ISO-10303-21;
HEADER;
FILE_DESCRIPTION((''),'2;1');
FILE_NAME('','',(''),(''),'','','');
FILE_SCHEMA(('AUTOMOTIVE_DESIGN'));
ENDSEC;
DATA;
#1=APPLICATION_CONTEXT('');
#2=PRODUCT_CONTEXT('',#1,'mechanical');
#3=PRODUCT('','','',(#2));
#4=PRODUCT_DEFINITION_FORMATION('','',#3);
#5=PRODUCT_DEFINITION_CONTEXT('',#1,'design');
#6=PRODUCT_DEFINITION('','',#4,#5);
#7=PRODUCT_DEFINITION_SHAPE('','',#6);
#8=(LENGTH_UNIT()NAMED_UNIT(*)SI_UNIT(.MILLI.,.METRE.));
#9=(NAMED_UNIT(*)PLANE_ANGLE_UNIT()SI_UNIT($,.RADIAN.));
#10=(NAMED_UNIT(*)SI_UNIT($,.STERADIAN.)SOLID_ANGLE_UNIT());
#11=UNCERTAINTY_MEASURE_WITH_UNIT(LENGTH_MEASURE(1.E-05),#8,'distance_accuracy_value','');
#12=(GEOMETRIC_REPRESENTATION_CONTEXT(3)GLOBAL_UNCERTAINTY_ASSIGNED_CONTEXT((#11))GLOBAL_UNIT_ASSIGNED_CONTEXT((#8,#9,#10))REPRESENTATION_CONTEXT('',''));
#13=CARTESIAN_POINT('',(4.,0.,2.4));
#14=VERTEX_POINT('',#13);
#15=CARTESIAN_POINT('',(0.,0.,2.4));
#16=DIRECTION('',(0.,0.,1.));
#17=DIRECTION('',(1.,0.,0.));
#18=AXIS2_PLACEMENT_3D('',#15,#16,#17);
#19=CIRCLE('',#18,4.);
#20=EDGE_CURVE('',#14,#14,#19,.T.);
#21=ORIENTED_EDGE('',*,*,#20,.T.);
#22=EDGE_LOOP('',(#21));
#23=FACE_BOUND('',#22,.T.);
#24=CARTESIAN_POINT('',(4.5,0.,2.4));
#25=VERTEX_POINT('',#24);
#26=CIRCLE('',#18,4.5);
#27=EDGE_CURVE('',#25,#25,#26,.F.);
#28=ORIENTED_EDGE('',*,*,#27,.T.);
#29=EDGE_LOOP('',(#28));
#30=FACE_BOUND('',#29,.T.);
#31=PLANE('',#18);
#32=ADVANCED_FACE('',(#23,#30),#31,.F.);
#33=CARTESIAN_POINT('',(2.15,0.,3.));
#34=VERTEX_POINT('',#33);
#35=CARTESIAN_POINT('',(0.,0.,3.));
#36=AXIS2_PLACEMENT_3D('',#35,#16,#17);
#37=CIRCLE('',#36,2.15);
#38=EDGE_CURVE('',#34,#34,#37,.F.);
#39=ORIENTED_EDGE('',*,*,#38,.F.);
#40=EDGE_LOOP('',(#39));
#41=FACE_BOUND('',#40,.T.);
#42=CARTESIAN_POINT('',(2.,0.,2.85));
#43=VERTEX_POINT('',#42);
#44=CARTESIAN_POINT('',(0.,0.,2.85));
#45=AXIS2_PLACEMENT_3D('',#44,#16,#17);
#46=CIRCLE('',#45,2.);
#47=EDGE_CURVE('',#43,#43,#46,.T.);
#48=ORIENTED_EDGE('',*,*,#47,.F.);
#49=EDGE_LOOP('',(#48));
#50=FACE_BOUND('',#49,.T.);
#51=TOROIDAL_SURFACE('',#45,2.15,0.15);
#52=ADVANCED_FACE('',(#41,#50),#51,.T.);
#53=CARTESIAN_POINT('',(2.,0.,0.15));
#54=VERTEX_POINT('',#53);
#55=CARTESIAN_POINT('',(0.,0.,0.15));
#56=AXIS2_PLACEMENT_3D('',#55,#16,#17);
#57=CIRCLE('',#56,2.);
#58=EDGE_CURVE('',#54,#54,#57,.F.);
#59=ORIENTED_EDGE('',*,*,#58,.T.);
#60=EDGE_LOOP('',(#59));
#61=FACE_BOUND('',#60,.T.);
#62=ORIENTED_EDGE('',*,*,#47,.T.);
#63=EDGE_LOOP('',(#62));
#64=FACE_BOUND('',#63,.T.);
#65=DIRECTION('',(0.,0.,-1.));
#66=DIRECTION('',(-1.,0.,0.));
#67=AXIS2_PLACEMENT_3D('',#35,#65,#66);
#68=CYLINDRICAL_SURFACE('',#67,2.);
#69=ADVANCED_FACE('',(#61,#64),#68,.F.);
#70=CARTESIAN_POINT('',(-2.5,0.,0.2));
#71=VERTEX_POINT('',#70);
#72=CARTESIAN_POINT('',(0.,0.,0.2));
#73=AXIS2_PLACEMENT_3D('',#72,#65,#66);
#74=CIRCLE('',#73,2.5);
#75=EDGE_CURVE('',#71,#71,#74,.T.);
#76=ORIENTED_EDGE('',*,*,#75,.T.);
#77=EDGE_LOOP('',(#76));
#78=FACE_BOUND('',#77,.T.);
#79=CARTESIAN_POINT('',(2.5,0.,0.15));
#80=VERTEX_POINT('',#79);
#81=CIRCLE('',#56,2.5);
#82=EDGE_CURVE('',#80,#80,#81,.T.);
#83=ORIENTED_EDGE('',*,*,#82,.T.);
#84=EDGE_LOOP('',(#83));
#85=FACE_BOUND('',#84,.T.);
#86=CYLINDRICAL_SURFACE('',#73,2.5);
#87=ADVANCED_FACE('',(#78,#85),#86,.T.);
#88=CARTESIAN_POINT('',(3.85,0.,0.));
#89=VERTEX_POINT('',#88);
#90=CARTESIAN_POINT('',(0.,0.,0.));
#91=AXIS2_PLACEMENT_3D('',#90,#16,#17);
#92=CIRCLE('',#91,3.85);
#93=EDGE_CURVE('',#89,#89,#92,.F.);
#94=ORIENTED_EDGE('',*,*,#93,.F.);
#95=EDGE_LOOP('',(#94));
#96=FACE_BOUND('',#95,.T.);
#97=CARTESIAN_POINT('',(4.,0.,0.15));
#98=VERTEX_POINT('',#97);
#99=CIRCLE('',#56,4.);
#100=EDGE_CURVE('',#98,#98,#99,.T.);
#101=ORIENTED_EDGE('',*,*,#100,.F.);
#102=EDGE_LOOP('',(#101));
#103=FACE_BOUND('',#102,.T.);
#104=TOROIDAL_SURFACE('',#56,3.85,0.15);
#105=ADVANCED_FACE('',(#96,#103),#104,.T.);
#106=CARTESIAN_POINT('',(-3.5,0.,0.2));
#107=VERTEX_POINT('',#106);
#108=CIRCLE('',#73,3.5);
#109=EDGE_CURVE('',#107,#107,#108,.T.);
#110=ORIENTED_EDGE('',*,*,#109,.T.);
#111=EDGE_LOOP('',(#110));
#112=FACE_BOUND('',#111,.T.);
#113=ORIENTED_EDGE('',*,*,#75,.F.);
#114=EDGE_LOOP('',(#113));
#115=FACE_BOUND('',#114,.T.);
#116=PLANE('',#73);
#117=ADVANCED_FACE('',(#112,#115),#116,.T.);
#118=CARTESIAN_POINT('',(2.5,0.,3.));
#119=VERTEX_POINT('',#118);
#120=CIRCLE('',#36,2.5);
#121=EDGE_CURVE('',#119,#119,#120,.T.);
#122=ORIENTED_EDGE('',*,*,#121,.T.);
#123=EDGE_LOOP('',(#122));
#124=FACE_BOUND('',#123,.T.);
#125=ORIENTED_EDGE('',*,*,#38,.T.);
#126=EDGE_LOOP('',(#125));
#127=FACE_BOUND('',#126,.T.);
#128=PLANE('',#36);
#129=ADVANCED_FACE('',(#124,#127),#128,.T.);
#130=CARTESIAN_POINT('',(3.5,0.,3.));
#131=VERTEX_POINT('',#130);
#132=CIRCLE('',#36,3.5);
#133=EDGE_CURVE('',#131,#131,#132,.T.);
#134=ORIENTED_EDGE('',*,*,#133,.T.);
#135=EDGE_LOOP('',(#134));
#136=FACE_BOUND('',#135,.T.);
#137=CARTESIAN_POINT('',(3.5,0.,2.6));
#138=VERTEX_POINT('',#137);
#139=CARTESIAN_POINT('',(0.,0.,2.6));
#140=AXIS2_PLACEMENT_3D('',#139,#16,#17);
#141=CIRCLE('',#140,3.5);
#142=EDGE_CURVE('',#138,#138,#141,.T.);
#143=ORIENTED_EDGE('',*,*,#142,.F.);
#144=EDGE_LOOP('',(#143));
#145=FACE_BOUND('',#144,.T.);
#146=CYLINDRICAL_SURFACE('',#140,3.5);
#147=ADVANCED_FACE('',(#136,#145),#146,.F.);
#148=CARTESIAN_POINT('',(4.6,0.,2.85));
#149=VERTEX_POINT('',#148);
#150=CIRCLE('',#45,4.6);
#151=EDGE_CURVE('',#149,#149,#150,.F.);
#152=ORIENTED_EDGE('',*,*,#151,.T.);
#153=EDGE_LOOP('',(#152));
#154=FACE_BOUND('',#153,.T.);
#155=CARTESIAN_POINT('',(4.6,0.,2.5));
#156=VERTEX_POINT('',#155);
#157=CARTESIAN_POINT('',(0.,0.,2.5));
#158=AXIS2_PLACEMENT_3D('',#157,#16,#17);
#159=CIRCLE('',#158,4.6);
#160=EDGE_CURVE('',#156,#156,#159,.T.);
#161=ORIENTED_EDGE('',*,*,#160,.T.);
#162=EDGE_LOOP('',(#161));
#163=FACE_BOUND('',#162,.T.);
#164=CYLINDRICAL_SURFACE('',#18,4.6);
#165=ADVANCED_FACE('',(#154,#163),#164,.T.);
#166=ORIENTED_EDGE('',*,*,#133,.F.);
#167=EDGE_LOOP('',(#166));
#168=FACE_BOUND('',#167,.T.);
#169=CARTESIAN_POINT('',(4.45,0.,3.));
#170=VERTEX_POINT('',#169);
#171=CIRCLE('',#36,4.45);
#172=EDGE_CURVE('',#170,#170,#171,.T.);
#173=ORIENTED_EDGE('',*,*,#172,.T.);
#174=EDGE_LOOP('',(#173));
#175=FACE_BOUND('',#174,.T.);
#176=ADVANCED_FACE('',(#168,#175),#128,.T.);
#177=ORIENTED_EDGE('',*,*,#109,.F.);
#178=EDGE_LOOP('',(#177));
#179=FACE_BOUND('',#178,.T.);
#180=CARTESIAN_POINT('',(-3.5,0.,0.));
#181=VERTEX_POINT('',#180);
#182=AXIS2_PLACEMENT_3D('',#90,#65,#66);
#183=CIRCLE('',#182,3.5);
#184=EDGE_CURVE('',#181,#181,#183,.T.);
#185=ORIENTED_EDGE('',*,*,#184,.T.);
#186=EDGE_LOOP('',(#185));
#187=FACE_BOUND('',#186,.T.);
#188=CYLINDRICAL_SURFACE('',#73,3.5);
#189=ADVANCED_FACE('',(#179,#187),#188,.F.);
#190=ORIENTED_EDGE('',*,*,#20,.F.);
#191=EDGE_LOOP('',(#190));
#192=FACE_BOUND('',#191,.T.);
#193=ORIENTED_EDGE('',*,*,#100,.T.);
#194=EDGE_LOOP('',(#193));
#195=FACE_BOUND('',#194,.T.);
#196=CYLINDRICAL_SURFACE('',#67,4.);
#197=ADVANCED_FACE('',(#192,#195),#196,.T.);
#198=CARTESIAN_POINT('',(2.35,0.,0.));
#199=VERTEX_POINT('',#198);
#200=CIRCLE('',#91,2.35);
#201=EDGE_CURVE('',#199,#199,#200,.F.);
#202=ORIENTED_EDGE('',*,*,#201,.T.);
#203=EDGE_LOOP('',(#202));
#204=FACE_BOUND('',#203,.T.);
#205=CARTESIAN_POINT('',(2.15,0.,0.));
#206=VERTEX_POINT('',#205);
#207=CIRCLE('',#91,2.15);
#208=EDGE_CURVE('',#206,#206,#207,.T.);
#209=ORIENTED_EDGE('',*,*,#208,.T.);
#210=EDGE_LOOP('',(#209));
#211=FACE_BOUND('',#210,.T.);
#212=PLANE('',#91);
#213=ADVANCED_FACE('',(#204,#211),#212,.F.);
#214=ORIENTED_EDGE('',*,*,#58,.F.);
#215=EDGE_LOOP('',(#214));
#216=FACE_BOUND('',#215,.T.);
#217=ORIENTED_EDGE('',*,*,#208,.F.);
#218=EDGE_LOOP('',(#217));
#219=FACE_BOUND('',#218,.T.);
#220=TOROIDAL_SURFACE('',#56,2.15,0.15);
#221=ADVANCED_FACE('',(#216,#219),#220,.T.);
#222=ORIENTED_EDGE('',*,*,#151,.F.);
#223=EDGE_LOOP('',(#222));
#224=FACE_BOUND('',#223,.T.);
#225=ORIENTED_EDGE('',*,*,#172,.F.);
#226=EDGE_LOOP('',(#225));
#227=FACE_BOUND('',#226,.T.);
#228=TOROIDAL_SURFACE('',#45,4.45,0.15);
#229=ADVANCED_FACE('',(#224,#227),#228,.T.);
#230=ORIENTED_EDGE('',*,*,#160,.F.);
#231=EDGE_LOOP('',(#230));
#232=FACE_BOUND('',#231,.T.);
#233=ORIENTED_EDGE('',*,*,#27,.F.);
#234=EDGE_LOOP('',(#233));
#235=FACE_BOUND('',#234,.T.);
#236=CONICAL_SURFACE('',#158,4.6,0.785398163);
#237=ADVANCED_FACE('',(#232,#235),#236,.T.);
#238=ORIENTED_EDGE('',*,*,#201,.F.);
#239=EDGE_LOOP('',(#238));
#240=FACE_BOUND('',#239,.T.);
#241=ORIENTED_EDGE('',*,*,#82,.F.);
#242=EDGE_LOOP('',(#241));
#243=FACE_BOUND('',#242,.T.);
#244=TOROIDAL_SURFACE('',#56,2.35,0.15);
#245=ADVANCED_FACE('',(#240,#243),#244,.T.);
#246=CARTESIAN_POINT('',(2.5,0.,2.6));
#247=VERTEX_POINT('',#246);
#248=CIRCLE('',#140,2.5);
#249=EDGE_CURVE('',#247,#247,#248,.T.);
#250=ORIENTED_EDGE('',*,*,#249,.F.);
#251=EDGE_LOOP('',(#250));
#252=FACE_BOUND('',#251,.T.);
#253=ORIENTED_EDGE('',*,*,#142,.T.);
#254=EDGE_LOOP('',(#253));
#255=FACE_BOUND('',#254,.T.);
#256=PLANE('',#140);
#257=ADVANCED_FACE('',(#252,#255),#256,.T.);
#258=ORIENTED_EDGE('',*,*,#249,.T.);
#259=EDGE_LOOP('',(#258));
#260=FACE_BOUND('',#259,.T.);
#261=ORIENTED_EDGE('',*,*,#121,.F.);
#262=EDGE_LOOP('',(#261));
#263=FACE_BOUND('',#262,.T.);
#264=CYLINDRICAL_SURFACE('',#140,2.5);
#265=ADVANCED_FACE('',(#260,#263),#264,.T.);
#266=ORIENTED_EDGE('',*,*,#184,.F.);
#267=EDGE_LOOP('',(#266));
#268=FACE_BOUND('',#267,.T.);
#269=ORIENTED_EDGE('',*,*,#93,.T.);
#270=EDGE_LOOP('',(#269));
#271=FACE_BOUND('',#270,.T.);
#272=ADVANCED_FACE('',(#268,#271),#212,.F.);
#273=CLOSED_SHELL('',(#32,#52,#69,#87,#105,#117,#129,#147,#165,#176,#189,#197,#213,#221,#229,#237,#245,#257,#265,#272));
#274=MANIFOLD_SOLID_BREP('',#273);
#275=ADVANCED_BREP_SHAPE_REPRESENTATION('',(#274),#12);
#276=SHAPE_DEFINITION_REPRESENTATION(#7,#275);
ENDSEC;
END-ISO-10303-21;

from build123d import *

# Parameters (mm, degrees)
SKETCH1_R           = 4
SKETCH1_R_2         = 2
BOSS_EXTRUDE1_DEPTH = 3
BOSS_EXTRUDE2_START = -0.6
SKETCH2_R           = 4.6
SKETCH2_R_2         = 4
BOSS_EXTRUDE2_DEPTH = 0.6
SKETCH3_R           = 3.5
SKETCH3_R_2         = 2.5
CUT_EXTRUDE1_DEPTH  = 0.2
CUT_EXTRUDE2_START  = -2.6
SKETCH3_2_R         = 3.5
SKETCH3_2_R_2       = 2.5
CUT_EXTRUDE2_DEPTH  = 0.4
FILLET1_R           = 0.15
CHAMFER1_SIZE       = 0.1


with BuildPart() as part:
    # Sketch1 → Boss-Extrude1 (new body)
    with BuildSketch(Plane.XY):
        Circle(SKETCH1_R)
        Circle(SKETCH1_R_2, mode=Mode.SUBTRACT)
    extrude(amount=BOSS_EXTRUDE1_DEPTH)

    # Sketch2 → Boss-Extrude2 (add)
    with BuildSketch(Plane.XY.offset(3).offset(BOSS_EXTRUDE2_START)):
        Circle(SKETCH2_R)
        Circle(SKETCH2_R_2, mode=Mode.SUBTRACT)
    extrude(amount=BOSS_EXTRUDE2_DEPTH)

    # Sketch3 → Cut-Extrude1 (cut)
    with BuildSketch(Plane(origin=(0, 0, 0), x_dir=(-1, 0, 0), z_dir=(0, 0, -1))):
        Circle(SKETCH3_R)
        Circle(SKETCH3_R_2, mode=Mode.SUBTRACT)
    extrude(amount=-CUT_EXTRUDE1_DEPTH, mode=Mode.SUBTRACT)

    # Sketch3<2> → Cut-Extrude2 (cut)
    with BuildSketch(Plane(origin=(0, 0, 0), x_dir=(-1, 0, 0), z_dir=(0, 0, -1)).offset(CUT_EXTRUDE2_START)):
        Circle(SKETCH3_2_R)
        Circle(SKETCH3_2_R_2, mode=Mode.SUBTRACT)
    extrude(amount=-CUT_EXTRUDE2_DEPTH, mode=Mode.SUBTRACT)

    # Fillet1
    fillet1_edges = [part.edges().sort_by_distance(p)[0] for p in [
        (-4.6, 0, 3),
        (2.5, 0, 0),
        (-4, 0, 0),
        (-2, 0, 0),
        (-2, 0, 3),
    ]]
    fillet(fillet1_edges, radius=FILLET1_R)

    # Chamfer1
    chamfer1_edges = [part.edges().sort_by_distance(p)[0] for p in [
        (-4.6, 0, 2.4),
    ]]
    chamfer(chamfer1_edges, length=CHAMFER1_SIZE)


solid = part.part
